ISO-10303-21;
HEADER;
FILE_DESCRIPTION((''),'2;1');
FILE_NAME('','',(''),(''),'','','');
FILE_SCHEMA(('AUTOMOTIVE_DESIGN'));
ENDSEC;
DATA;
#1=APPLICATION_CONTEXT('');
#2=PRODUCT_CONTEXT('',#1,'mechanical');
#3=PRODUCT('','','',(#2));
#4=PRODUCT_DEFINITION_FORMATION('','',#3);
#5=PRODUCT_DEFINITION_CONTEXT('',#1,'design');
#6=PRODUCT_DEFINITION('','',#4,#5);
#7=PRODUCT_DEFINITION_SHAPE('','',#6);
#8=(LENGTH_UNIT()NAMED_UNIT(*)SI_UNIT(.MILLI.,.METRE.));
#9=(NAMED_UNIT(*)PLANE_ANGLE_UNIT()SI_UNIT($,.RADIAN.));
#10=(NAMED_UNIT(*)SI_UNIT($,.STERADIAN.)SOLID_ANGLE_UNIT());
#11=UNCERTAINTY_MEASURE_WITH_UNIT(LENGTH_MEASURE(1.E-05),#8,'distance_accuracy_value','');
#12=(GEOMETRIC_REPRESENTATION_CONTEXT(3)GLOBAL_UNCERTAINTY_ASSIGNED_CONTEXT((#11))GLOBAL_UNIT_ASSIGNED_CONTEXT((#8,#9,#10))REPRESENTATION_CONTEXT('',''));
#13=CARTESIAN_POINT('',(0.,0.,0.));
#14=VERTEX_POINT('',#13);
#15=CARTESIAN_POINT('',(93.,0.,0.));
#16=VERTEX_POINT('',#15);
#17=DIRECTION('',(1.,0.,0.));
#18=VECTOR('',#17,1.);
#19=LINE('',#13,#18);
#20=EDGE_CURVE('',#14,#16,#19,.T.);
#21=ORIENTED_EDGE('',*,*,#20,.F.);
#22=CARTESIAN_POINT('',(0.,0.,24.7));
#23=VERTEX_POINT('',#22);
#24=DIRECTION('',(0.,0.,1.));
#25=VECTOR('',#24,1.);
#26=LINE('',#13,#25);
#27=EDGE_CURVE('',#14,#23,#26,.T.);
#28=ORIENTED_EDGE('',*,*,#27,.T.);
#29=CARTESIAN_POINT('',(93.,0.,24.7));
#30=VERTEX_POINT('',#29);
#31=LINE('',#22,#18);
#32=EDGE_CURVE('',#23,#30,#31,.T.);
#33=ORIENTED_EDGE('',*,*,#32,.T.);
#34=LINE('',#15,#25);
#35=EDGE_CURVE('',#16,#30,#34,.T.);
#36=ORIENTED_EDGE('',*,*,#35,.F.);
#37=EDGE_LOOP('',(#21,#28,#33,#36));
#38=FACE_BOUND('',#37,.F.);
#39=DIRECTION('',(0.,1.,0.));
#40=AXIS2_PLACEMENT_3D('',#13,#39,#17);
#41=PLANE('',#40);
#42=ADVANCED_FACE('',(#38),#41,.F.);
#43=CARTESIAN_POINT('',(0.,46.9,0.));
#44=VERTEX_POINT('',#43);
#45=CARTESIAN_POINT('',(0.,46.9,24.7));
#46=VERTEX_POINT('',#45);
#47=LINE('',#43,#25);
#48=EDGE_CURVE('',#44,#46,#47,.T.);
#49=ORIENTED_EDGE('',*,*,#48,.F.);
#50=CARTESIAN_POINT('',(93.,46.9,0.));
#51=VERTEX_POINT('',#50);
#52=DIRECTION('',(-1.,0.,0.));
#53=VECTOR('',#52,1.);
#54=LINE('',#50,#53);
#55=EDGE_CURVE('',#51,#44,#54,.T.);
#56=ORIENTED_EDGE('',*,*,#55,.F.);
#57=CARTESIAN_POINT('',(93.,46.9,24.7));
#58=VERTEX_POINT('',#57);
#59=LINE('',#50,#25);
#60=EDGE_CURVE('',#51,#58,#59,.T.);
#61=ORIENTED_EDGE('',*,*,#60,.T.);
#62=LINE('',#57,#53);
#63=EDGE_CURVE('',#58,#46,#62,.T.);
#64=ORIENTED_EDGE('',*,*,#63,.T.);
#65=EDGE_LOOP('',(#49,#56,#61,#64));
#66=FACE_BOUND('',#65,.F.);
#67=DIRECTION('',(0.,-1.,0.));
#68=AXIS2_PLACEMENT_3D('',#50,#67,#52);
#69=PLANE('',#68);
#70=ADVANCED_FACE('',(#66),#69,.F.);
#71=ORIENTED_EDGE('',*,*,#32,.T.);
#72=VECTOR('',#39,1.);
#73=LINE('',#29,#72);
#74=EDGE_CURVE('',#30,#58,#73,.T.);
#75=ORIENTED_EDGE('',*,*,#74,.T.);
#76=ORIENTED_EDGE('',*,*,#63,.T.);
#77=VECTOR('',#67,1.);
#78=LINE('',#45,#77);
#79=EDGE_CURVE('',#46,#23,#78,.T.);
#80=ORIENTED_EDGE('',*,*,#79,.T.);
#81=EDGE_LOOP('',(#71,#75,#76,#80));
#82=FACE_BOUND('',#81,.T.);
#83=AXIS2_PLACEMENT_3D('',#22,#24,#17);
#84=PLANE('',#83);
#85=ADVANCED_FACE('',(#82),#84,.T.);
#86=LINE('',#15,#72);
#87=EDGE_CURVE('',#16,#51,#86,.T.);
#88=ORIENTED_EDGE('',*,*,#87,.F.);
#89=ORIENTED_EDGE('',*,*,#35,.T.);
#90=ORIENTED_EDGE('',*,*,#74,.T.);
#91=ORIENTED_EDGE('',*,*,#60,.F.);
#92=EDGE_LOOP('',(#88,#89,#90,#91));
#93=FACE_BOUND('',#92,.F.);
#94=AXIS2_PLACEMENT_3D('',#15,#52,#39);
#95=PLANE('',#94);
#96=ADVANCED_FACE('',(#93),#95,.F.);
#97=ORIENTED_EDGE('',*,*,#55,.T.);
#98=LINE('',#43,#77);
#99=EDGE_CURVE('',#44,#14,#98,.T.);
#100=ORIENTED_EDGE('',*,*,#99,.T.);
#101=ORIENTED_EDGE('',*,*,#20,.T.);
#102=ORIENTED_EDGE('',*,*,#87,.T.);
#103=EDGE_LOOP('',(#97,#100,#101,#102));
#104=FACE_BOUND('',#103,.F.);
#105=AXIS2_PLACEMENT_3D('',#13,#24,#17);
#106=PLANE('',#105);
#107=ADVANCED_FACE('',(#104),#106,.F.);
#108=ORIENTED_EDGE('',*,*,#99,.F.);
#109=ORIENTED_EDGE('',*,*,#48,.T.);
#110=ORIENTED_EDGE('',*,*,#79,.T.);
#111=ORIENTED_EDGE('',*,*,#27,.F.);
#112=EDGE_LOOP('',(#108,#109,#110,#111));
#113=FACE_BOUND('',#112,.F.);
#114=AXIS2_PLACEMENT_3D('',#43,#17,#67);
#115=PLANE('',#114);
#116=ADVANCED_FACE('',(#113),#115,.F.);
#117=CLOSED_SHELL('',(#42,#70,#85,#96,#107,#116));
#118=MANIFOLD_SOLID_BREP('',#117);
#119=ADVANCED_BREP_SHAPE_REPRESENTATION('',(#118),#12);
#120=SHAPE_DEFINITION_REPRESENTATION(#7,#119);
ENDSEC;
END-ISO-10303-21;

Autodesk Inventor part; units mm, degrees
ref_plane "YZ Plane" through (0, 0, 0) normal (1, 0, 0) x (0, 1, 0)
ref_plane "XZ Plane" through (0, 0, 0) normal (0, 1, 0) x (-1, 0, 0)
ref_plane "XY Plane" through (0, 0, 0) normal (0, 0, 1) x (1, 0, 0)
sketch "スケッチ1" plane through (0, 0, 0) normal (0, 0, 1) x (1, 0, 0)
  line L0 (0, 0) -> (93, 0)
  line L1 (93, 0) -> (93, 46.9)
  line L2 (93, 46.9) -> (0, 46.9)
  line L3 (0, 46.9) -> (0, 0)
  dimension "d0" = 93
  dimension "d1" = 46.9
extrude "押し出し1" add sketch "スケッチ1" along normal blind 24.7
sketch "スケッチ3" plane through (0, 0, 0) normal (0, 0, -1) x (-1, 0, 0)
  line L0 (0, 46.9) -> (0, 0) projected
  line L1 (0, 0) -> (-93, 0) projected
  line L2 (-93, 0) -> (-93, 46.9) projected
  line L3 (-93, 46.9) -> (0, 46.9) projected
properties part number "BAKUSO"
